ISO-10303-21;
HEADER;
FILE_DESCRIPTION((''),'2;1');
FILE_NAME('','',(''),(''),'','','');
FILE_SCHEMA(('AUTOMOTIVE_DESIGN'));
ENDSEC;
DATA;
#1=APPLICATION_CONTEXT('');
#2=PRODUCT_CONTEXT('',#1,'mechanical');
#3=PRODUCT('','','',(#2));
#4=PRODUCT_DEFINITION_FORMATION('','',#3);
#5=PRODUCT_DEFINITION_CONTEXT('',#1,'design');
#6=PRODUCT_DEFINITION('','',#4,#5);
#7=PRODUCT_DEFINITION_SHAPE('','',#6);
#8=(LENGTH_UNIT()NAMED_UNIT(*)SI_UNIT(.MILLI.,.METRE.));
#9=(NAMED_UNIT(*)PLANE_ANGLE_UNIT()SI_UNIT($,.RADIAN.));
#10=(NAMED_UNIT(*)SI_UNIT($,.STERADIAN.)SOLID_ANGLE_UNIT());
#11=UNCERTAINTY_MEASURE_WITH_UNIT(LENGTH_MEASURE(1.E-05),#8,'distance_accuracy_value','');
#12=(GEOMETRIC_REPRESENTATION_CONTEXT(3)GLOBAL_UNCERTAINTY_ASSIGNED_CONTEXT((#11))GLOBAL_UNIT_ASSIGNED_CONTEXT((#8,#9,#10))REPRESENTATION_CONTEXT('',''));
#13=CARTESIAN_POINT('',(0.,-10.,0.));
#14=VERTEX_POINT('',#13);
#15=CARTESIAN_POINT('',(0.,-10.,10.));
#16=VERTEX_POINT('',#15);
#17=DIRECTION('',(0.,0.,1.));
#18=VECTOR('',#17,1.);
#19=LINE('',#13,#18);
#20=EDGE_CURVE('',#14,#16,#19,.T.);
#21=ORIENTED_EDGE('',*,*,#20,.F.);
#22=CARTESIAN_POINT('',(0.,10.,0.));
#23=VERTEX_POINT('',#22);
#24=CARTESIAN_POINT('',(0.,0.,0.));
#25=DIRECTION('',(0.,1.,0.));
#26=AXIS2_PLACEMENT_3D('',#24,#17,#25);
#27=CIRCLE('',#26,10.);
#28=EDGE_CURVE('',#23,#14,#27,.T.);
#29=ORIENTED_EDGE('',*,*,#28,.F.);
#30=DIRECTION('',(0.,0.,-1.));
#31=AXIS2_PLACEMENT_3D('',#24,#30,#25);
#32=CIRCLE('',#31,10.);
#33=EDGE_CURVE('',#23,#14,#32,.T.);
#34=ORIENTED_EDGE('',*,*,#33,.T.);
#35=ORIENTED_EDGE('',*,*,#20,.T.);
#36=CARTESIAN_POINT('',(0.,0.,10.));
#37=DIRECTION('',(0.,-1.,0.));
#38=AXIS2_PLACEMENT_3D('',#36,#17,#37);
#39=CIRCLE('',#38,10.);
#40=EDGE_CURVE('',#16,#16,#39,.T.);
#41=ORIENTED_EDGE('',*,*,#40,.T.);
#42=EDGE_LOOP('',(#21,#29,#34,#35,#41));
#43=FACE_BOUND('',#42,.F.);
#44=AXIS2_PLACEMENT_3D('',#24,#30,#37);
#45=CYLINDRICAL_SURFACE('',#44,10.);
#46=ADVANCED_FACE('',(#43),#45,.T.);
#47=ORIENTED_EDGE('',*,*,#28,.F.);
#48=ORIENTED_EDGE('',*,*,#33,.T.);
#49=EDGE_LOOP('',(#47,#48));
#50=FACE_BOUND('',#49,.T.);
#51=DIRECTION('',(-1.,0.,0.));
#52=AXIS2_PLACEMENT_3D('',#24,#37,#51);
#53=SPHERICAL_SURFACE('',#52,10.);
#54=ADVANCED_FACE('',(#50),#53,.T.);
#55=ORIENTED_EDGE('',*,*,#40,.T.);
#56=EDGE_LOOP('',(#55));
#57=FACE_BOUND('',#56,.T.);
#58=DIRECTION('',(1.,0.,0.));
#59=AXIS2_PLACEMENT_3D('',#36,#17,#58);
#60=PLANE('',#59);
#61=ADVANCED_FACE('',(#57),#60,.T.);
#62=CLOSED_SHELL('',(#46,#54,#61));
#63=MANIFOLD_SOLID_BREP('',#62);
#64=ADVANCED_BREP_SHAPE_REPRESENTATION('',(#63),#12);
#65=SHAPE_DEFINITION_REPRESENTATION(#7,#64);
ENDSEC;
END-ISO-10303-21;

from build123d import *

# Parameters (mm, degrees)
F1_ANGLE = 180
F2_DEPTH = 10


with BuildPart() as f1:
    # F0 (on Top) → F1 (revolve)
    with BuildSketch(Plane.XY):
        with BuildLine():
            Line((0, -10), (0, 10))
            ThreePointArc((0, 10), (-10, 0), (0, -10))
        make_face()
    revolve(axis=Axis((0, 0, 0), (0, -1, 0)), revolution_arc=F1_ANGLE)

    # F1_face (on face) → F2 (join)
    with BuildSketch(Plane.XY):
        with BuildLine():
            ThreePointArc((0, 10), (-10, 0), (0, -10))
            ThreePointArc((0, -10), (10, 0), (0, 10))
        make_face()
    extrude(amount=F2_DEPTH)


solid = f1.part
